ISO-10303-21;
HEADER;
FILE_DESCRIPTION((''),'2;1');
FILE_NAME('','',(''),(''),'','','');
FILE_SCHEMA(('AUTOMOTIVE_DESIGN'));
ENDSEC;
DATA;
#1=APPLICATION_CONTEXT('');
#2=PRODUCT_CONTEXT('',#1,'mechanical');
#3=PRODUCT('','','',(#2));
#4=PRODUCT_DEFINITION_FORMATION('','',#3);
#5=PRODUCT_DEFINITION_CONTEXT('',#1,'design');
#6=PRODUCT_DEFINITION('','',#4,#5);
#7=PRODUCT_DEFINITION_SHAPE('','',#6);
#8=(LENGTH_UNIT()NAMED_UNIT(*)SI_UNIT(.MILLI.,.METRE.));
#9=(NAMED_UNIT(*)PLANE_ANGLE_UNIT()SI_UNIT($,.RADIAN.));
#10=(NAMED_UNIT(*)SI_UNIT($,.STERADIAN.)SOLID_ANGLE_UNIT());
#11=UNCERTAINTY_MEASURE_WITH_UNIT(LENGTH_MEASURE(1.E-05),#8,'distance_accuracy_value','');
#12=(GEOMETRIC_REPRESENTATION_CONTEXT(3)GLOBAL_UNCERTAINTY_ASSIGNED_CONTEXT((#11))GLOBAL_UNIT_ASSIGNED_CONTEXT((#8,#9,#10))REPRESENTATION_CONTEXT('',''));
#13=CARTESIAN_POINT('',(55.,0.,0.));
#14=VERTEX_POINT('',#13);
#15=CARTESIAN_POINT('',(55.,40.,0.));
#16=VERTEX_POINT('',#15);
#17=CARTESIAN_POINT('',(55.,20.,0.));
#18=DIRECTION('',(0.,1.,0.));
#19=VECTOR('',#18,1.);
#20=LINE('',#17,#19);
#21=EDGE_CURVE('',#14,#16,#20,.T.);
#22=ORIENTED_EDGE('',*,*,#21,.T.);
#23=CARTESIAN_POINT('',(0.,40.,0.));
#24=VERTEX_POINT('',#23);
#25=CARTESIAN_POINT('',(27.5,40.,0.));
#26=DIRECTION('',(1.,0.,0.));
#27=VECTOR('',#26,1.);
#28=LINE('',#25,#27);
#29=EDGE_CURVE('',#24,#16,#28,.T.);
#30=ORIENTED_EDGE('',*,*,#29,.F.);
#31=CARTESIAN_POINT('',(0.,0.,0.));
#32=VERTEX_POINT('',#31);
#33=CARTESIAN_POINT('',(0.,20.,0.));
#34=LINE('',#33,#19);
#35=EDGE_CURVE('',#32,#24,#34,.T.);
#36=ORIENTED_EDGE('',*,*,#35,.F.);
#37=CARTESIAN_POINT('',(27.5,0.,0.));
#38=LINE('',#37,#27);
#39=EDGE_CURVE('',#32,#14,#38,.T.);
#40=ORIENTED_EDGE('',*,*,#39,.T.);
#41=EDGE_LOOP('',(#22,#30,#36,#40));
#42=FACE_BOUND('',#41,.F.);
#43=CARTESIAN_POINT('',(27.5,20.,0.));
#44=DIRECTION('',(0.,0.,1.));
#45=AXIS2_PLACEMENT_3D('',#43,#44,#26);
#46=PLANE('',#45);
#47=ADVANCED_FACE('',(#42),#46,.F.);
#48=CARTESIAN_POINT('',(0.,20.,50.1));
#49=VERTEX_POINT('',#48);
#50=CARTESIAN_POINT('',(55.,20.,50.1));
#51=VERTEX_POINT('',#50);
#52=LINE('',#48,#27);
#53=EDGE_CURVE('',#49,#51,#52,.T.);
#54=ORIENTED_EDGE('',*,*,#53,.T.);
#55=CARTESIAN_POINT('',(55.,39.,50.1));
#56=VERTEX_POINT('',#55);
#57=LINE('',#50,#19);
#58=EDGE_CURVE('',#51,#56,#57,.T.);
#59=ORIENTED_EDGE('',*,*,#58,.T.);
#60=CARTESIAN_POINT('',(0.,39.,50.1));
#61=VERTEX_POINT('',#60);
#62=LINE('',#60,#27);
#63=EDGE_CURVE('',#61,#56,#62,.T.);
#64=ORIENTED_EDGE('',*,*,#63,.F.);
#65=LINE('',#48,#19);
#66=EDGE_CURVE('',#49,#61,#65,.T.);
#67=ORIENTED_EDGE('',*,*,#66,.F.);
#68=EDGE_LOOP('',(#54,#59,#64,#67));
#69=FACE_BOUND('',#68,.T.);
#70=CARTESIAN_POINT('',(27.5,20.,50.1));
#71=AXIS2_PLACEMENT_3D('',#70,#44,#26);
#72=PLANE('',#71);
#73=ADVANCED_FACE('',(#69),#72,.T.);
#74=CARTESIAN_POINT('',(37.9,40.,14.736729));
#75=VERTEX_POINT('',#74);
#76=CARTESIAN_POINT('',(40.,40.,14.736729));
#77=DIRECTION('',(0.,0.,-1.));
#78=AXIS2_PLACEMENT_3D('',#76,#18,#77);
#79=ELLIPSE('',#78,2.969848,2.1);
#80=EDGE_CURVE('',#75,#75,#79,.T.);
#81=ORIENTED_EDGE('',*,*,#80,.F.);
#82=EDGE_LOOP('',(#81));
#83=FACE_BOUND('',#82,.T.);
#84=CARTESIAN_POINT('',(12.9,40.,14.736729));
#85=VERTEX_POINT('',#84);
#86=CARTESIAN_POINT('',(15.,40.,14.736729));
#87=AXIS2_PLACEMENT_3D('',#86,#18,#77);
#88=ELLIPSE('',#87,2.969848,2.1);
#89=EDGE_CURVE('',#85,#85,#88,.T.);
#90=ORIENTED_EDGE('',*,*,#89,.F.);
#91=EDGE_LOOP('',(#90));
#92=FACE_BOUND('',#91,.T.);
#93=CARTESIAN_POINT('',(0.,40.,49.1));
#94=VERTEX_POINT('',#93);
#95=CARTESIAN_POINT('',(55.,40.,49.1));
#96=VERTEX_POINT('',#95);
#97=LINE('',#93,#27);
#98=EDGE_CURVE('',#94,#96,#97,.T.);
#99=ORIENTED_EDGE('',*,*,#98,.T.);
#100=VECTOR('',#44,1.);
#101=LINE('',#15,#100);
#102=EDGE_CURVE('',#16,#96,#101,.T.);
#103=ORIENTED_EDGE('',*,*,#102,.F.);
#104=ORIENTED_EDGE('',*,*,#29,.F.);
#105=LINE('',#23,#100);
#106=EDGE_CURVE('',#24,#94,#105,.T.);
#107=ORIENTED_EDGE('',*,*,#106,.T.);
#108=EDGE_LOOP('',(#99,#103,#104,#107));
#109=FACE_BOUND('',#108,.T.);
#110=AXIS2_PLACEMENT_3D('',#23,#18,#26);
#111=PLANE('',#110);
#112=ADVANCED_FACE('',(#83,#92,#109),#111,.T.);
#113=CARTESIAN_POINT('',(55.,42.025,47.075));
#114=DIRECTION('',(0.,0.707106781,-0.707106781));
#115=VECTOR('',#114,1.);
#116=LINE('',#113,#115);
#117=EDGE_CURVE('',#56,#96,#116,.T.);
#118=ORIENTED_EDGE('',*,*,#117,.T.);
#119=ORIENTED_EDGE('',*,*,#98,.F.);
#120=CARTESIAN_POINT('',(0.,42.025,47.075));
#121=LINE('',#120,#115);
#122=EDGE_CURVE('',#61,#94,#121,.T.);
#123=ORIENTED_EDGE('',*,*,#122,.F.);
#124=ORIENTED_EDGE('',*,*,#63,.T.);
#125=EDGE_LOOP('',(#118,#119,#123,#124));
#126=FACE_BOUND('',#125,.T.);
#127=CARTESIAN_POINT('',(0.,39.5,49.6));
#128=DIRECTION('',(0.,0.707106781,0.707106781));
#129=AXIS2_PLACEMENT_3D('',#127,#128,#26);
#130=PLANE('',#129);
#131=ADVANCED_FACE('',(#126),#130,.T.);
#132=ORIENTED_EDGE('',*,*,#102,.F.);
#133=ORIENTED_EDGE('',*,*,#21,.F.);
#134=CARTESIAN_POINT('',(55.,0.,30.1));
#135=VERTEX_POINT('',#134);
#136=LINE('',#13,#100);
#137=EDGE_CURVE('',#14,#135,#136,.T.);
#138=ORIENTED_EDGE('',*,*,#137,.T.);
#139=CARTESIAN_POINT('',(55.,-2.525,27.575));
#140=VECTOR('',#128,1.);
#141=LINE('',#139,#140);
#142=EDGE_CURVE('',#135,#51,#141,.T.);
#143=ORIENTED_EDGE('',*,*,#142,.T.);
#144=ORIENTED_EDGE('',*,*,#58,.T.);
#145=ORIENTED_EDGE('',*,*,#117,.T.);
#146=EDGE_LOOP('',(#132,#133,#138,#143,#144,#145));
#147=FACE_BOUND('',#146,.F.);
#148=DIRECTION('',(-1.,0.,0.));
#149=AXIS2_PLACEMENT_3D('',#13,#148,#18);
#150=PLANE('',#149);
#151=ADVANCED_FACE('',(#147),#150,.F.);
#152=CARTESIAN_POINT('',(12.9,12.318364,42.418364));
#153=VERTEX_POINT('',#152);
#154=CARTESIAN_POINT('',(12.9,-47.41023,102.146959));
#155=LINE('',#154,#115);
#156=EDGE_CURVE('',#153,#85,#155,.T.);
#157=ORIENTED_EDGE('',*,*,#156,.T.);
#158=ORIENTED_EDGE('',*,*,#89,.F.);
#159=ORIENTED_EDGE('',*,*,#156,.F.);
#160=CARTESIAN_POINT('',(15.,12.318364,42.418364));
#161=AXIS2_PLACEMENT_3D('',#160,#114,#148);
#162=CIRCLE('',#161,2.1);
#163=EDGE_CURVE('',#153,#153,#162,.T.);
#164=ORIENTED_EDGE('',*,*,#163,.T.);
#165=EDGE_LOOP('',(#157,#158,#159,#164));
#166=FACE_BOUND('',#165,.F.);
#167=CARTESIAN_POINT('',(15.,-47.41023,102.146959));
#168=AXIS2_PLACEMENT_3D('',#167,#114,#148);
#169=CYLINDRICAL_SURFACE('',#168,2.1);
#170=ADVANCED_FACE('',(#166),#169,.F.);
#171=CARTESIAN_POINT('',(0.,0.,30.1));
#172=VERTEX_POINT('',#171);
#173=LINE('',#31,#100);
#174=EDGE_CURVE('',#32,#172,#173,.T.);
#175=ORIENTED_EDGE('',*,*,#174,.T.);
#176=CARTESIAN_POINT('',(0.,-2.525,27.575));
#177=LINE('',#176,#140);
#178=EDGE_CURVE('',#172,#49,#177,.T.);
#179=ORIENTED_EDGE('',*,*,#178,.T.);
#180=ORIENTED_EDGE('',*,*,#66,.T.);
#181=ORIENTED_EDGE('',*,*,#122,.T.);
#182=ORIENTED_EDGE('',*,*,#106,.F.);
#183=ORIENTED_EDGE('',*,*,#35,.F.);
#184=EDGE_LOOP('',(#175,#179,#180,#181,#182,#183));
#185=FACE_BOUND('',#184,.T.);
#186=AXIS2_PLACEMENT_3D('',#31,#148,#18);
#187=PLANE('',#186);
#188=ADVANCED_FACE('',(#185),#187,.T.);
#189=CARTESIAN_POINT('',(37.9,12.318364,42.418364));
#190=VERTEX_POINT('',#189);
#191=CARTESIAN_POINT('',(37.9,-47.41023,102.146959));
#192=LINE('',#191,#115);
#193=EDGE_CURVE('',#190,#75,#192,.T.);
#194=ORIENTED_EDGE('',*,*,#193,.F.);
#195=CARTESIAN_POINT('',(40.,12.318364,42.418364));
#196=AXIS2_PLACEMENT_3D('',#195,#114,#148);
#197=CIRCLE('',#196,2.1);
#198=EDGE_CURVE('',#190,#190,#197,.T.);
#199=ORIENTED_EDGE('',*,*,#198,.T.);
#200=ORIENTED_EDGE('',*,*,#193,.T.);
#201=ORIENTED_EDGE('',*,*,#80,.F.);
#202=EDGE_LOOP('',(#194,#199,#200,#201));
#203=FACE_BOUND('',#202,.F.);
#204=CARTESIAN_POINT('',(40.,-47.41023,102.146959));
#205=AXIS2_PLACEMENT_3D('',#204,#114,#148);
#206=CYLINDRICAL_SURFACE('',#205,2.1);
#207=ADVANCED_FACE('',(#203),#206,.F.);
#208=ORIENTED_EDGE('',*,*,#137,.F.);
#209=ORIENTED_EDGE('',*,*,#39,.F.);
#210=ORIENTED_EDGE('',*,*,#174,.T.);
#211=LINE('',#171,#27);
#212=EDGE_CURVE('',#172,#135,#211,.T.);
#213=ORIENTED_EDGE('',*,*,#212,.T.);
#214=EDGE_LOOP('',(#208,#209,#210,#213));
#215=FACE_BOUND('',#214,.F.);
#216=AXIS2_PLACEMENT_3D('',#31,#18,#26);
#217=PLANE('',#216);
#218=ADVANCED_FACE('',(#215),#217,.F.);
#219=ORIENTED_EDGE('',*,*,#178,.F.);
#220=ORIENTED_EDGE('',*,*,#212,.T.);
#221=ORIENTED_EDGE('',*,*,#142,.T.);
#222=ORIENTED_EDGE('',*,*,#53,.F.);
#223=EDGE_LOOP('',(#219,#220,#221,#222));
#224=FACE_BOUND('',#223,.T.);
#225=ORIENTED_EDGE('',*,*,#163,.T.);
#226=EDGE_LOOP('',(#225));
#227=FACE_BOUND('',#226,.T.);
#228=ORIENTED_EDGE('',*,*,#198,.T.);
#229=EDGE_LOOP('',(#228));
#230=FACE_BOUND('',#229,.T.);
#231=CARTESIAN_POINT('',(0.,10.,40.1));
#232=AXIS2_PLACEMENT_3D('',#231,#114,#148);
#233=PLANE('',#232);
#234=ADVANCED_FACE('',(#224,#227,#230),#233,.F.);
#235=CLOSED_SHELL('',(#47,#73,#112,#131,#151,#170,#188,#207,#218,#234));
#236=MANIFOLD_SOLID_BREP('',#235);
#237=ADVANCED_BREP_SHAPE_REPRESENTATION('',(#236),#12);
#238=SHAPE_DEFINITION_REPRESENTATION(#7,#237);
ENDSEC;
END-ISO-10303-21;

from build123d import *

# Parameters (mm, degrees)
F0_W     = 55
F0_H     = 40
F1_DEPTH = 50.1
F2_SIZE  = 20
F4_D     = 4.2
F5_SIZE  = 1


with BuildPart() as f1:
    # F0 (on Top) → F1 (new body)
    with BuildSketch(Plane.XY):
        with Locations((27.5, 20)):
            Rectangle(F0_W, F0_H)
    extrude(amount=F1_DEPTH)

    # F2
    f2_edges = [f1.edges().sort_by_distance(p)[0] for p in [
        (27.5, 0, 50.1),
    ]]
    chamfer(f2_edges, length=F2_SIZE)

    # F4 (through all)
    with Locations(Plane(origin=(0, -15.05, 15.05), x_dir=(1, 0, 0), z_dir=(0, -0.7071067812, 0.7071067812))):
        with Locations((40, 38.7047119439), (15, 38.7047119439)):
            Hole(F4_D / 2)

    # F5
    f5_edges = [f1.edges().sort_by_distance(p)[0] for p in [
        (27.5, 40, 50.1),
    ]]
    chamfer(f5_edges, length=F5_SIZE)


solid = f1.part
